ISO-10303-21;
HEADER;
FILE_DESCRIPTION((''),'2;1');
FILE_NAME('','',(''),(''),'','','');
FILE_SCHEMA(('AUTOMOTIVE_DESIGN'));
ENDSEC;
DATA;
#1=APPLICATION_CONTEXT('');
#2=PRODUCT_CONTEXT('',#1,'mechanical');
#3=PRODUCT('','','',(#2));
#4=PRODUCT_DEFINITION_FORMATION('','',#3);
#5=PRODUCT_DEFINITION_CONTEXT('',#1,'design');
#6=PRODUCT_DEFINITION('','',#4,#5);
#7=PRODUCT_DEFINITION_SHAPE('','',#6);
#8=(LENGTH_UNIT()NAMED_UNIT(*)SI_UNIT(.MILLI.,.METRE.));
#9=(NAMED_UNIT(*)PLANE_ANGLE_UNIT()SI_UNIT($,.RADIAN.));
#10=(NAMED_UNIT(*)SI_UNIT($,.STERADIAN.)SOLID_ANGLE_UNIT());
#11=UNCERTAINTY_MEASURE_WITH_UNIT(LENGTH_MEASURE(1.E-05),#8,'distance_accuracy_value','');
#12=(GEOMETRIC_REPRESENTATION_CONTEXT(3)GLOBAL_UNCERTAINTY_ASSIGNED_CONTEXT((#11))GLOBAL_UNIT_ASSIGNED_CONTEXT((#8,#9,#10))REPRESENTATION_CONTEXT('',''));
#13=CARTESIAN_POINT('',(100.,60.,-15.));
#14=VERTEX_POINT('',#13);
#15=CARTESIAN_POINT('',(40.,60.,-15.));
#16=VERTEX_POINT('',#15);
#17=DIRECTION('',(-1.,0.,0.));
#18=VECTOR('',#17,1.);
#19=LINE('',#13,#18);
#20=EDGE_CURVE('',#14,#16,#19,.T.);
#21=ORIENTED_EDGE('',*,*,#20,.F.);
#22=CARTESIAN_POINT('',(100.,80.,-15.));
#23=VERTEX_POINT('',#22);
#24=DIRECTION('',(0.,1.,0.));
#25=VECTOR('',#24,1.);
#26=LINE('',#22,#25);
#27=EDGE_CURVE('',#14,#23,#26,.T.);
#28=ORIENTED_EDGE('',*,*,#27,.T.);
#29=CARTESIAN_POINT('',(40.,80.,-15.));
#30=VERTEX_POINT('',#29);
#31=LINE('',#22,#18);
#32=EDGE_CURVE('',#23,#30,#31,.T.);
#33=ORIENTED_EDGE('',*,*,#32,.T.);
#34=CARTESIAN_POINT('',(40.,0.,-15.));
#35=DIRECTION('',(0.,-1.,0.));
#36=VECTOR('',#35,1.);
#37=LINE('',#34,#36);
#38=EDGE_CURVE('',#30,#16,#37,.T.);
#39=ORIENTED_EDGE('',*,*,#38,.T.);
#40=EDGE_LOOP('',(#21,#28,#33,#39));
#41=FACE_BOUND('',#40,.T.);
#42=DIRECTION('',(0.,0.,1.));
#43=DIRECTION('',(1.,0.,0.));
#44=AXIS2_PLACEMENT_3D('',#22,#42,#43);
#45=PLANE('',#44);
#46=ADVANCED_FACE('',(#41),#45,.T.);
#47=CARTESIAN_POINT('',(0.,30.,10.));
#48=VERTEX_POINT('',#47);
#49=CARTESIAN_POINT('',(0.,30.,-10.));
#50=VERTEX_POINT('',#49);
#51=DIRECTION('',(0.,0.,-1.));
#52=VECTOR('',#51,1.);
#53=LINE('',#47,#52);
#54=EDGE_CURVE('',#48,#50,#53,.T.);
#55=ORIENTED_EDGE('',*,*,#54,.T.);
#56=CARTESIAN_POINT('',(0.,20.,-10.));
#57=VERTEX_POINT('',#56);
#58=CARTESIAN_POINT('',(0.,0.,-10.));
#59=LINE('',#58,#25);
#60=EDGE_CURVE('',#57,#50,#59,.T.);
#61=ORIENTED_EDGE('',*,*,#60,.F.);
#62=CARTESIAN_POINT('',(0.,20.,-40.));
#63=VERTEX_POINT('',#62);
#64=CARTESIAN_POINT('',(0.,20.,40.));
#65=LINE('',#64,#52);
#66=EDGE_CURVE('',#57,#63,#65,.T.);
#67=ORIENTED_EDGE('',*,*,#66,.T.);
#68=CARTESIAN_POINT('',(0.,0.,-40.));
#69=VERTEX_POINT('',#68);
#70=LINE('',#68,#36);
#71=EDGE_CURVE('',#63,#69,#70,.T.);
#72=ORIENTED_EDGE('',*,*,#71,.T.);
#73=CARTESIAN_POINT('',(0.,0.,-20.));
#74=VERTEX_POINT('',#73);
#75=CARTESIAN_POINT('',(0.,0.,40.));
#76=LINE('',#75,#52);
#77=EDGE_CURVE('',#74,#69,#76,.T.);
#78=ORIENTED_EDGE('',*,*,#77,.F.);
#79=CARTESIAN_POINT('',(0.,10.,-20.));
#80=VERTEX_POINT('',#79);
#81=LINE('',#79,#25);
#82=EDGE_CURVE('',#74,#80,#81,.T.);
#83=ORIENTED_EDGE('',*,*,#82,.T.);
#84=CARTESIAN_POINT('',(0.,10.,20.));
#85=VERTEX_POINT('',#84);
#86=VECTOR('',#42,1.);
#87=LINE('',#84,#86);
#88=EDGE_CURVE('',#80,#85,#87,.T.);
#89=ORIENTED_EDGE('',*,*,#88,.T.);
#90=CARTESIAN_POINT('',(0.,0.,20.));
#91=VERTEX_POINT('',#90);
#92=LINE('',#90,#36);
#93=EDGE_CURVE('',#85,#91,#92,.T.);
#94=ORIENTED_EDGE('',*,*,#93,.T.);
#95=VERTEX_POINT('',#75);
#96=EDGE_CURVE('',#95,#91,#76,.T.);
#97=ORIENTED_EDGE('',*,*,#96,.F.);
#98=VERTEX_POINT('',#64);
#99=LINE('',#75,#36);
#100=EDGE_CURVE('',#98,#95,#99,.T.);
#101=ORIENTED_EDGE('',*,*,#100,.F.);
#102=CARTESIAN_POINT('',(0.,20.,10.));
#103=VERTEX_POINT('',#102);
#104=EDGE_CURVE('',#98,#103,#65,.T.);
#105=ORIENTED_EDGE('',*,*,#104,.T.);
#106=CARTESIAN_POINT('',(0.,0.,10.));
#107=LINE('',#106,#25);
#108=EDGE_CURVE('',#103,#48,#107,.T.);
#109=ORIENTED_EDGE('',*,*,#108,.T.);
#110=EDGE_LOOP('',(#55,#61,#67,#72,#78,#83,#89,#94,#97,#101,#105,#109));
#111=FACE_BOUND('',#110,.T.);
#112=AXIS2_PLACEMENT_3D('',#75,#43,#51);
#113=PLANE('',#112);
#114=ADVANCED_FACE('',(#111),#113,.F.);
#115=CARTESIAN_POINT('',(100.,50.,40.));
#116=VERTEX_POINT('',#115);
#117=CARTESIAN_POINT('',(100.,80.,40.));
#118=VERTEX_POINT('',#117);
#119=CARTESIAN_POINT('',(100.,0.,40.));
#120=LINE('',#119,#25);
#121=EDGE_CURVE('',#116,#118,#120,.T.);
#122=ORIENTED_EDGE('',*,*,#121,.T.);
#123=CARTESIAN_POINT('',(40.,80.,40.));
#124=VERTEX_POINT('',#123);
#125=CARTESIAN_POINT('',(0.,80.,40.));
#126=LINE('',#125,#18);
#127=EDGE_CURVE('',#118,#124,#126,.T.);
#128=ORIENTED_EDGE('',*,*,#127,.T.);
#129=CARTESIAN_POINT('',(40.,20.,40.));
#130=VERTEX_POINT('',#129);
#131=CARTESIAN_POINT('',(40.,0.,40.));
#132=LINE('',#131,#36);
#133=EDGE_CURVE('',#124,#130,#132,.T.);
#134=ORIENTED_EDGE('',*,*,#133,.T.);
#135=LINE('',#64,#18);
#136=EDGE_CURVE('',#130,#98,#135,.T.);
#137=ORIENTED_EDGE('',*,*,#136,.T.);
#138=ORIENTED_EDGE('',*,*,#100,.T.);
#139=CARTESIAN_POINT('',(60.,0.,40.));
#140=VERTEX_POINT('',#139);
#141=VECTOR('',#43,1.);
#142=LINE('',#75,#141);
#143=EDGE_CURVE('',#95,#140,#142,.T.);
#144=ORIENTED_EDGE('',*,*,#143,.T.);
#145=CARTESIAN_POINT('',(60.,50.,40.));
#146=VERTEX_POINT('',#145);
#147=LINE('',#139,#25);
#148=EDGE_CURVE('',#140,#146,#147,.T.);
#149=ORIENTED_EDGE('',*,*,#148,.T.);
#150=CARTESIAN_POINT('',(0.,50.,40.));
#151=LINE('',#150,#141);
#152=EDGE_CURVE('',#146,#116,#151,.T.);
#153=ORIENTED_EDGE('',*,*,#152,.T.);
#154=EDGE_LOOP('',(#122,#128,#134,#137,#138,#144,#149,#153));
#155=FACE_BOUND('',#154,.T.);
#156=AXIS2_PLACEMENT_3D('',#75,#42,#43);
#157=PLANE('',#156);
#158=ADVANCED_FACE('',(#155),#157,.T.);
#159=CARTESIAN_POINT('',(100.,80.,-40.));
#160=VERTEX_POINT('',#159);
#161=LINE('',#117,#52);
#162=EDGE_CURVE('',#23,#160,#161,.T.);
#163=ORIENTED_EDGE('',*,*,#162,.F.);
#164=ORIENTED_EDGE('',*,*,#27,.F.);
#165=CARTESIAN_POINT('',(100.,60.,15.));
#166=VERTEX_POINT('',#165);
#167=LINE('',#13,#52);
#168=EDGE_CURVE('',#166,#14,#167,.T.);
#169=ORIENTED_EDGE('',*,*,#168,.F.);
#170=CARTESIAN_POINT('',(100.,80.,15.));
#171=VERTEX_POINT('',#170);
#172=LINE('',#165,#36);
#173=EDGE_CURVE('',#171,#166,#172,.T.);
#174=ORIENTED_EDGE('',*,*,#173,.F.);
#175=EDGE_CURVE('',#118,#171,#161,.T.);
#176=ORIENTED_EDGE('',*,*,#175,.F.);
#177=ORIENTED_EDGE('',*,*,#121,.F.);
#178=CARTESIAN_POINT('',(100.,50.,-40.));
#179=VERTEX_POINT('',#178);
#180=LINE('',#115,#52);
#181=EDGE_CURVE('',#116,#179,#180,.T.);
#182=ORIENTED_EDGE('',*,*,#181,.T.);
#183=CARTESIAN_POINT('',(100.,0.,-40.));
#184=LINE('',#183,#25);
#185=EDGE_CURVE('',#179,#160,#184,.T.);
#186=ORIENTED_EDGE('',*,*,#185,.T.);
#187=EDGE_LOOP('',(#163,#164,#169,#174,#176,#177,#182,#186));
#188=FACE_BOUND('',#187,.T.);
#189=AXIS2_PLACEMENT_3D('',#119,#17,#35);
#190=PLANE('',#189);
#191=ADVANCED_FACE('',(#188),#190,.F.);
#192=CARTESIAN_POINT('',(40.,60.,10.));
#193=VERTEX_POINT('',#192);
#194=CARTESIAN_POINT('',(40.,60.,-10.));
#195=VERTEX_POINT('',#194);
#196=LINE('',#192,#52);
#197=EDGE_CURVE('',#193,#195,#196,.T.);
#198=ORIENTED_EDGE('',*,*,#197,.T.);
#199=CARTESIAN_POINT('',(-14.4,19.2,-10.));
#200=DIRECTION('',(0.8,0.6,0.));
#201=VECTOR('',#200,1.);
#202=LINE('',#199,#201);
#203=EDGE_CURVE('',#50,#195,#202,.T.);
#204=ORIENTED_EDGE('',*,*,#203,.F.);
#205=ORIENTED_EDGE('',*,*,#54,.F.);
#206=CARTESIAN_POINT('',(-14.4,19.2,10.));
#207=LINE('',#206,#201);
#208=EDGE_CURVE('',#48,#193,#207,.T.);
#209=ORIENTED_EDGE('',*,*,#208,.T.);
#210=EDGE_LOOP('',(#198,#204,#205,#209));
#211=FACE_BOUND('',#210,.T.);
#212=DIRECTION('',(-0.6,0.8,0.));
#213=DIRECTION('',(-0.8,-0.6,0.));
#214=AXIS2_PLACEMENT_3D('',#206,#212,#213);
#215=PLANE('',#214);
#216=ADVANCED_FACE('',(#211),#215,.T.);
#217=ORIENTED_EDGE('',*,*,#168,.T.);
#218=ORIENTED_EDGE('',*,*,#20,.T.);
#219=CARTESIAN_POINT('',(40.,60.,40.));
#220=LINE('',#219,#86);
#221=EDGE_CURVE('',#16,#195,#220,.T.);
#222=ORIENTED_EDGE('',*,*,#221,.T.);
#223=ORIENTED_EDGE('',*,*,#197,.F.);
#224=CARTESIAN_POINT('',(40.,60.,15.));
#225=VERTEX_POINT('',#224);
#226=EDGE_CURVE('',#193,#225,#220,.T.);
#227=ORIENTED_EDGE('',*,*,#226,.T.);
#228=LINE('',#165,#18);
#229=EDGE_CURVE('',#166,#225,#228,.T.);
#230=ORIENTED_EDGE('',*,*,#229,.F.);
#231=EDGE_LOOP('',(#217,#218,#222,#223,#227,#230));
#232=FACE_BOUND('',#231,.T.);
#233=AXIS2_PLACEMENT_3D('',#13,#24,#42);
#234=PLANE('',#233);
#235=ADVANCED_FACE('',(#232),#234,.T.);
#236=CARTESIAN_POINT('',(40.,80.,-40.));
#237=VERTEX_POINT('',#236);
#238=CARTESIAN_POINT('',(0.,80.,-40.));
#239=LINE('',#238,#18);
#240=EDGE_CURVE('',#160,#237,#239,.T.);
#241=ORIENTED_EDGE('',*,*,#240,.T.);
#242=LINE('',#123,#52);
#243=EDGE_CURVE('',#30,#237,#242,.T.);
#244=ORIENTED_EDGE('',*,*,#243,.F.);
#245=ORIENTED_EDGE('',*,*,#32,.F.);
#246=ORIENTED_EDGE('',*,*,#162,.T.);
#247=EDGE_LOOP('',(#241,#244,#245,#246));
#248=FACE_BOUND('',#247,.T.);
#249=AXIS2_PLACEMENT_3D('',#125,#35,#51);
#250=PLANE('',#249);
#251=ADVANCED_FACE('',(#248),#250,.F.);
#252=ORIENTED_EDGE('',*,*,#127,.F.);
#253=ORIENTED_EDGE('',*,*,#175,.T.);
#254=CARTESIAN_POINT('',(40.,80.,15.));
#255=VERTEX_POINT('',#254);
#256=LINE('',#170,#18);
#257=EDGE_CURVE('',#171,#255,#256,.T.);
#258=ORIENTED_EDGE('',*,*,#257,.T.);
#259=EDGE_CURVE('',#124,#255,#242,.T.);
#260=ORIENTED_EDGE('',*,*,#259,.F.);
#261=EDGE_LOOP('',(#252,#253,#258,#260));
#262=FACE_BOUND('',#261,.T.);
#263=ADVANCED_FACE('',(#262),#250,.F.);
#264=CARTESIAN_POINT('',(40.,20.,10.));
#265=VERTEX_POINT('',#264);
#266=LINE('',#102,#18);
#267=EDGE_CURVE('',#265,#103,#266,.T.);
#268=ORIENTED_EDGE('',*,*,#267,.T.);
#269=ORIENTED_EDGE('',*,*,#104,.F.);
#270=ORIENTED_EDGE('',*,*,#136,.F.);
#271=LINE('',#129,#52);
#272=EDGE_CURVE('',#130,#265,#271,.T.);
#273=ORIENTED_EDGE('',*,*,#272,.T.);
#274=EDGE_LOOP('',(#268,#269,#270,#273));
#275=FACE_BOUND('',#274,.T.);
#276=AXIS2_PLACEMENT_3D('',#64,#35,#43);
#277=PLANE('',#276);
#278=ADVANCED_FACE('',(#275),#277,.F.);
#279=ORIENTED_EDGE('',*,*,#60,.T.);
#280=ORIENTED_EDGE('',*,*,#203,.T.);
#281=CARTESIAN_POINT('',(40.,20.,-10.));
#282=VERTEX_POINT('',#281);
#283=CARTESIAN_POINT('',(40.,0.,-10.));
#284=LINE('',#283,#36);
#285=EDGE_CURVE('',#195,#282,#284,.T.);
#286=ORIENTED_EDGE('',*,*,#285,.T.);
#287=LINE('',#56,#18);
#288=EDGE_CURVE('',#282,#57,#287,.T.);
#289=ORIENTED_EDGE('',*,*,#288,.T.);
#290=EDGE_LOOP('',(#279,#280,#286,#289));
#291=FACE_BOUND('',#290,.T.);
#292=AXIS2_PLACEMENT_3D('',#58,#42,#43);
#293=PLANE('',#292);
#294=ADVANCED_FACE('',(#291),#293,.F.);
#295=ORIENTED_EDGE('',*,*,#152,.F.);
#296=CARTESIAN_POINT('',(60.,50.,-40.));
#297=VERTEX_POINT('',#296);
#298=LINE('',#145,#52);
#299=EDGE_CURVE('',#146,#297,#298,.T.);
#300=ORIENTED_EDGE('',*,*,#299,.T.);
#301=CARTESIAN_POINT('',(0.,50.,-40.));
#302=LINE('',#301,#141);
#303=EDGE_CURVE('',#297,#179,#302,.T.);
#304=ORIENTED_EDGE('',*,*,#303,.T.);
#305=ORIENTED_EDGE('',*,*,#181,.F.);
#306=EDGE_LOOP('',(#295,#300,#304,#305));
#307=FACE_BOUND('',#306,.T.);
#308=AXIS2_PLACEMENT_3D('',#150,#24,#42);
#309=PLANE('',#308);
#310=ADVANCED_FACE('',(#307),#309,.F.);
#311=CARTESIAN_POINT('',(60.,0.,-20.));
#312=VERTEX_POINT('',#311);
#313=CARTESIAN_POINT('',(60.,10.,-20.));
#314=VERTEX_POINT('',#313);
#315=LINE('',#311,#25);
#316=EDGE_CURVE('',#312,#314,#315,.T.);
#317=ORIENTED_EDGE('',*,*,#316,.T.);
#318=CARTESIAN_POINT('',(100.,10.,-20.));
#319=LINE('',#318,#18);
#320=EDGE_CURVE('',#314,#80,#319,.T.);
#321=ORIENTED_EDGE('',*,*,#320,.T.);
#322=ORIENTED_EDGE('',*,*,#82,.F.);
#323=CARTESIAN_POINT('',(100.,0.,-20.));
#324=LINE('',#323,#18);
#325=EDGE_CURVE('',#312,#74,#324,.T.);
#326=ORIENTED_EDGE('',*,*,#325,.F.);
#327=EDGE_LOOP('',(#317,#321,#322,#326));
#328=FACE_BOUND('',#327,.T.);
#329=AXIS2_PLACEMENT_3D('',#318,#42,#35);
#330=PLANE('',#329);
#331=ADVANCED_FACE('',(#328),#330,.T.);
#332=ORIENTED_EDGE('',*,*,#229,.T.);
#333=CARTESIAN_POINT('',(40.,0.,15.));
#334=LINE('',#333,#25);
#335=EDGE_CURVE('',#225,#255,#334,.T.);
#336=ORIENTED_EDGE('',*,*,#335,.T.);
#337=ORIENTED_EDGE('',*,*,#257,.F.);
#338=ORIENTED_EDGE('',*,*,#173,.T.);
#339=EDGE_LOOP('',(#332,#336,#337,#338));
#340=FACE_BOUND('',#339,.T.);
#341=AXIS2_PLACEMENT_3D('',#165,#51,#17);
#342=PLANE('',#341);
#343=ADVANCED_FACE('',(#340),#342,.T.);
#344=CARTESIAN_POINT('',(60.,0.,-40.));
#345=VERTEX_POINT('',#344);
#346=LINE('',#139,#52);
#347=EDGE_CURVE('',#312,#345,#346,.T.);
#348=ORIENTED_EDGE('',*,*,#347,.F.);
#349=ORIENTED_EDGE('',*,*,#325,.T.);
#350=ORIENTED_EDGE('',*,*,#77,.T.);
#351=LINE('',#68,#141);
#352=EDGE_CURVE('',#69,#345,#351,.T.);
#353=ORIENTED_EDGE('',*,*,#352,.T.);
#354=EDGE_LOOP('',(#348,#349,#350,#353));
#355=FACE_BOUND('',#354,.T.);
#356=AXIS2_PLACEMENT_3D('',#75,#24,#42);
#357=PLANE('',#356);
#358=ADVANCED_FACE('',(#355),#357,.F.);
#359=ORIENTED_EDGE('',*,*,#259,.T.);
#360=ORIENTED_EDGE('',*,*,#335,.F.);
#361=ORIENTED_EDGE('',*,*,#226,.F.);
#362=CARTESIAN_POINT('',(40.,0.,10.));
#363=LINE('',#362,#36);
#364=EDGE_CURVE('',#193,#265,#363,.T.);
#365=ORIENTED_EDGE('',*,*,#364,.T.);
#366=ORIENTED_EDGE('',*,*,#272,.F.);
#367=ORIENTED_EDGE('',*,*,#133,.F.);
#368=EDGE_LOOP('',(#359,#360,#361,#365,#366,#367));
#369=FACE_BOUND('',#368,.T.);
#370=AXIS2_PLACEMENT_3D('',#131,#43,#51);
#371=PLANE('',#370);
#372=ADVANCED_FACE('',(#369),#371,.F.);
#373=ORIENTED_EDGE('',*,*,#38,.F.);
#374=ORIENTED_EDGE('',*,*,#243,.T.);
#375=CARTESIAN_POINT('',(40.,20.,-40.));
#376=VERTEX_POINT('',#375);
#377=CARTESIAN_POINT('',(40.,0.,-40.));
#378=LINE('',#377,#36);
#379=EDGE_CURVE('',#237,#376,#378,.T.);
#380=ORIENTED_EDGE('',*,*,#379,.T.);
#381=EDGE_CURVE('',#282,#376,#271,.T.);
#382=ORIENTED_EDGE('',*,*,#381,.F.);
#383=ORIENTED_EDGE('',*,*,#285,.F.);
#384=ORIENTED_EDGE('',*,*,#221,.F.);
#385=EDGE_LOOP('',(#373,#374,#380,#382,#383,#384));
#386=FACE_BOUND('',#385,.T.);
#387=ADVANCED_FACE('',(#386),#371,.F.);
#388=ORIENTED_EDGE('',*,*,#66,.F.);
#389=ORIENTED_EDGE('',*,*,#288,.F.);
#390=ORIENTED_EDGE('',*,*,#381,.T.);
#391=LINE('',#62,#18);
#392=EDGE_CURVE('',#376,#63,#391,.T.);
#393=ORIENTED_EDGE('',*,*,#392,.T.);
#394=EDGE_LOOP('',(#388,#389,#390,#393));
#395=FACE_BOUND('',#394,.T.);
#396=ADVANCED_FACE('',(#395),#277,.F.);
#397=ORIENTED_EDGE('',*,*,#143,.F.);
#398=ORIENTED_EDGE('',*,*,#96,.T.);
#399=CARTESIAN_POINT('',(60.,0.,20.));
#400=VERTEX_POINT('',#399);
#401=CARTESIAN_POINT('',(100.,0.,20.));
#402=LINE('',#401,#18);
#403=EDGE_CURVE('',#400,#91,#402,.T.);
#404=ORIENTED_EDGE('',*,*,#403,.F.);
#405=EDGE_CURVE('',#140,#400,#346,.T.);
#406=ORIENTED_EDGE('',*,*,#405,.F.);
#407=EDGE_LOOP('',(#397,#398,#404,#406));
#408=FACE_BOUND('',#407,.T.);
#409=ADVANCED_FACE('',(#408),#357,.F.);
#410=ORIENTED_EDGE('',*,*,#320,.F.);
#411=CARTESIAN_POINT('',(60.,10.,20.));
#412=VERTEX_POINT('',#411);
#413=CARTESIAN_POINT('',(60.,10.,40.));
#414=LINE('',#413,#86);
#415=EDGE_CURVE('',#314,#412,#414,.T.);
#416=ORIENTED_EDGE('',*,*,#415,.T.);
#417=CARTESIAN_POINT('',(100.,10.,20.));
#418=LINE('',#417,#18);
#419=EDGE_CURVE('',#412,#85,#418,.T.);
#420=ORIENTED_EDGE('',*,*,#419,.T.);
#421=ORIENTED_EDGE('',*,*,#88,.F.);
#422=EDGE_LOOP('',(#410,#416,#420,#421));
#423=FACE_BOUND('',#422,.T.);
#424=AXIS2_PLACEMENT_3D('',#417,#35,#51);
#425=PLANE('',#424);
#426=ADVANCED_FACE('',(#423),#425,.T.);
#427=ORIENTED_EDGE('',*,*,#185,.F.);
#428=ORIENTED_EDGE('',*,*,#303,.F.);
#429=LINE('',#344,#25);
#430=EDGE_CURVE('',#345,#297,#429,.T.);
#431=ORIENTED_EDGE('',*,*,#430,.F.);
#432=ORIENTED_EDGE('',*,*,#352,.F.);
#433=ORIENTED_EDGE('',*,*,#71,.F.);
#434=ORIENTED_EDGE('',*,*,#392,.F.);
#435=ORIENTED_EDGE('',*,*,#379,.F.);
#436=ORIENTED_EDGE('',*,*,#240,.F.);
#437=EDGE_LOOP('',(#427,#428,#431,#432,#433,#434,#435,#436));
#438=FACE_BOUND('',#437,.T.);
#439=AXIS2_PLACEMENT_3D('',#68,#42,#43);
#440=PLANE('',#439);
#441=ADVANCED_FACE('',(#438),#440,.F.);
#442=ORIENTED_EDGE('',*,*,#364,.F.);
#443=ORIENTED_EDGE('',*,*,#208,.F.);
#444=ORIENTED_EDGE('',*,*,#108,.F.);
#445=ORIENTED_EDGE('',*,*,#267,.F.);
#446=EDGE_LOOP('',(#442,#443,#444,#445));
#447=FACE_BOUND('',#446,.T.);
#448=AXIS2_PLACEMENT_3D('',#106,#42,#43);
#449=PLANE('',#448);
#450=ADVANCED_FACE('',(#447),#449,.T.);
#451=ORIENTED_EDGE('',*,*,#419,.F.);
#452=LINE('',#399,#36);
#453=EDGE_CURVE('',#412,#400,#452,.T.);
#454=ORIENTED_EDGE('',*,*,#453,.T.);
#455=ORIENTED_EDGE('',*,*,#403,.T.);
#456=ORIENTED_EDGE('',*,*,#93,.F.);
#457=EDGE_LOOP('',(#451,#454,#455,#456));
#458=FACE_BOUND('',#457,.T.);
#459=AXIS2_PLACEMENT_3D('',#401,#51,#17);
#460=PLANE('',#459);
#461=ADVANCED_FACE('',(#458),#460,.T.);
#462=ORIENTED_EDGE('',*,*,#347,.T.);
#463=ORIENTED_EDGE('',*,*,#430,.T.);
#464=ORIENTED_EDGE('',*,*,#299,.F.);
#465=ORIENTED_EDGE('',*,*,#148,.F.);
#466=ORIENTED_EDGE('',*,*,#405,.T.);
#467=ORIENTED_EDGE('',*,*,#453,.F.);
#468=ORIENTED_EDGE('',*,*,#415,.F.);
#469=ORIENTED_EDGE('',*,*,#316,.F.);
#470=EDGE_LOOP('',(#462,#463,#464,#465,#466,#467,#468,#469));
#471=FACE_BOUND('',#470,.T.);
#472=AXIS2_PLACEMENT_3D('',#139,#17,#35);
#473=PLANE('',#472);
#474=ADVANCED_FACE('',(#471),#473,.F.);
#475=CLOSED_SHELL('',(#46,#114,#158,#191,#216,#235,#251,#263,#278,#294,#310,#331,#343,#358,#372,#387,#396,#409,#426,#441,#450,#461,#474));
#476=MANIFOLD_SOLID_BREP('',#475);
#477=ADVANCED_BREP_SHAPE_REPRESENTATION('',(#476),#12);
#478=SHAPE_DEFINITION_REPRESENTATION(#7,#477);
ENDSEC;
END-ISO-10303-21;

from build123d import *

# Parameters (mm, degrees)
BOSS_EXTRUDE1_DEPTH = 40
BOSS_EXTRUDE2_DEPTH = 10
SKETCH2_W           = 40
SKETCH2_H           = 10
SKETCH2_W_2         = 30
SKETCH2_H_2         = 20
CUT_EXTRUDE1_DEPTH  = 135.16407865


with BuildPart() as part:
    # Sketch1 → Boss-Extrude1 (new, symmetric)
    with BuildSketch(Plane.XY):
        Polygon((0, 20), (0, 0), (60, 0), (60, 50), (100, 50), (100, 80), (40, 80), (40, 60), (40, 20), align=None)
    extrude(amount=BOSS_EXTRUDE1_DEPTH, both=True)

    # Sketch1<3> → Boss-Extrude2 (add, symmetric)
    with BuildSketch(Plane.XY):
        Polygon((0, 30), (0, 20), (40, 20), (40, 60), align=None)
    extrude(amount=BOSS_EXTRUDE2_DEPTH, both=True)

    # Sketch2 → Cut-Extrude1 (cut, through all)
    with BuildSketch(Plane(origin=(0, 0, 0), x_dir=(0, 0, -1), z_dir=(1, 0, 0))):
        with Locations((0, 5)):
            Rectangle(SKETCH2_W, SKETCH2_H)
        with Locations((0, 70)):
            Rectangle(SKETCH2_W_2, SKETCH2_H_2)
    extrude(amount=CUT_EXTRUDE1_DEPTH, mode=Mode.SUBTRACT)


solid = part.part
